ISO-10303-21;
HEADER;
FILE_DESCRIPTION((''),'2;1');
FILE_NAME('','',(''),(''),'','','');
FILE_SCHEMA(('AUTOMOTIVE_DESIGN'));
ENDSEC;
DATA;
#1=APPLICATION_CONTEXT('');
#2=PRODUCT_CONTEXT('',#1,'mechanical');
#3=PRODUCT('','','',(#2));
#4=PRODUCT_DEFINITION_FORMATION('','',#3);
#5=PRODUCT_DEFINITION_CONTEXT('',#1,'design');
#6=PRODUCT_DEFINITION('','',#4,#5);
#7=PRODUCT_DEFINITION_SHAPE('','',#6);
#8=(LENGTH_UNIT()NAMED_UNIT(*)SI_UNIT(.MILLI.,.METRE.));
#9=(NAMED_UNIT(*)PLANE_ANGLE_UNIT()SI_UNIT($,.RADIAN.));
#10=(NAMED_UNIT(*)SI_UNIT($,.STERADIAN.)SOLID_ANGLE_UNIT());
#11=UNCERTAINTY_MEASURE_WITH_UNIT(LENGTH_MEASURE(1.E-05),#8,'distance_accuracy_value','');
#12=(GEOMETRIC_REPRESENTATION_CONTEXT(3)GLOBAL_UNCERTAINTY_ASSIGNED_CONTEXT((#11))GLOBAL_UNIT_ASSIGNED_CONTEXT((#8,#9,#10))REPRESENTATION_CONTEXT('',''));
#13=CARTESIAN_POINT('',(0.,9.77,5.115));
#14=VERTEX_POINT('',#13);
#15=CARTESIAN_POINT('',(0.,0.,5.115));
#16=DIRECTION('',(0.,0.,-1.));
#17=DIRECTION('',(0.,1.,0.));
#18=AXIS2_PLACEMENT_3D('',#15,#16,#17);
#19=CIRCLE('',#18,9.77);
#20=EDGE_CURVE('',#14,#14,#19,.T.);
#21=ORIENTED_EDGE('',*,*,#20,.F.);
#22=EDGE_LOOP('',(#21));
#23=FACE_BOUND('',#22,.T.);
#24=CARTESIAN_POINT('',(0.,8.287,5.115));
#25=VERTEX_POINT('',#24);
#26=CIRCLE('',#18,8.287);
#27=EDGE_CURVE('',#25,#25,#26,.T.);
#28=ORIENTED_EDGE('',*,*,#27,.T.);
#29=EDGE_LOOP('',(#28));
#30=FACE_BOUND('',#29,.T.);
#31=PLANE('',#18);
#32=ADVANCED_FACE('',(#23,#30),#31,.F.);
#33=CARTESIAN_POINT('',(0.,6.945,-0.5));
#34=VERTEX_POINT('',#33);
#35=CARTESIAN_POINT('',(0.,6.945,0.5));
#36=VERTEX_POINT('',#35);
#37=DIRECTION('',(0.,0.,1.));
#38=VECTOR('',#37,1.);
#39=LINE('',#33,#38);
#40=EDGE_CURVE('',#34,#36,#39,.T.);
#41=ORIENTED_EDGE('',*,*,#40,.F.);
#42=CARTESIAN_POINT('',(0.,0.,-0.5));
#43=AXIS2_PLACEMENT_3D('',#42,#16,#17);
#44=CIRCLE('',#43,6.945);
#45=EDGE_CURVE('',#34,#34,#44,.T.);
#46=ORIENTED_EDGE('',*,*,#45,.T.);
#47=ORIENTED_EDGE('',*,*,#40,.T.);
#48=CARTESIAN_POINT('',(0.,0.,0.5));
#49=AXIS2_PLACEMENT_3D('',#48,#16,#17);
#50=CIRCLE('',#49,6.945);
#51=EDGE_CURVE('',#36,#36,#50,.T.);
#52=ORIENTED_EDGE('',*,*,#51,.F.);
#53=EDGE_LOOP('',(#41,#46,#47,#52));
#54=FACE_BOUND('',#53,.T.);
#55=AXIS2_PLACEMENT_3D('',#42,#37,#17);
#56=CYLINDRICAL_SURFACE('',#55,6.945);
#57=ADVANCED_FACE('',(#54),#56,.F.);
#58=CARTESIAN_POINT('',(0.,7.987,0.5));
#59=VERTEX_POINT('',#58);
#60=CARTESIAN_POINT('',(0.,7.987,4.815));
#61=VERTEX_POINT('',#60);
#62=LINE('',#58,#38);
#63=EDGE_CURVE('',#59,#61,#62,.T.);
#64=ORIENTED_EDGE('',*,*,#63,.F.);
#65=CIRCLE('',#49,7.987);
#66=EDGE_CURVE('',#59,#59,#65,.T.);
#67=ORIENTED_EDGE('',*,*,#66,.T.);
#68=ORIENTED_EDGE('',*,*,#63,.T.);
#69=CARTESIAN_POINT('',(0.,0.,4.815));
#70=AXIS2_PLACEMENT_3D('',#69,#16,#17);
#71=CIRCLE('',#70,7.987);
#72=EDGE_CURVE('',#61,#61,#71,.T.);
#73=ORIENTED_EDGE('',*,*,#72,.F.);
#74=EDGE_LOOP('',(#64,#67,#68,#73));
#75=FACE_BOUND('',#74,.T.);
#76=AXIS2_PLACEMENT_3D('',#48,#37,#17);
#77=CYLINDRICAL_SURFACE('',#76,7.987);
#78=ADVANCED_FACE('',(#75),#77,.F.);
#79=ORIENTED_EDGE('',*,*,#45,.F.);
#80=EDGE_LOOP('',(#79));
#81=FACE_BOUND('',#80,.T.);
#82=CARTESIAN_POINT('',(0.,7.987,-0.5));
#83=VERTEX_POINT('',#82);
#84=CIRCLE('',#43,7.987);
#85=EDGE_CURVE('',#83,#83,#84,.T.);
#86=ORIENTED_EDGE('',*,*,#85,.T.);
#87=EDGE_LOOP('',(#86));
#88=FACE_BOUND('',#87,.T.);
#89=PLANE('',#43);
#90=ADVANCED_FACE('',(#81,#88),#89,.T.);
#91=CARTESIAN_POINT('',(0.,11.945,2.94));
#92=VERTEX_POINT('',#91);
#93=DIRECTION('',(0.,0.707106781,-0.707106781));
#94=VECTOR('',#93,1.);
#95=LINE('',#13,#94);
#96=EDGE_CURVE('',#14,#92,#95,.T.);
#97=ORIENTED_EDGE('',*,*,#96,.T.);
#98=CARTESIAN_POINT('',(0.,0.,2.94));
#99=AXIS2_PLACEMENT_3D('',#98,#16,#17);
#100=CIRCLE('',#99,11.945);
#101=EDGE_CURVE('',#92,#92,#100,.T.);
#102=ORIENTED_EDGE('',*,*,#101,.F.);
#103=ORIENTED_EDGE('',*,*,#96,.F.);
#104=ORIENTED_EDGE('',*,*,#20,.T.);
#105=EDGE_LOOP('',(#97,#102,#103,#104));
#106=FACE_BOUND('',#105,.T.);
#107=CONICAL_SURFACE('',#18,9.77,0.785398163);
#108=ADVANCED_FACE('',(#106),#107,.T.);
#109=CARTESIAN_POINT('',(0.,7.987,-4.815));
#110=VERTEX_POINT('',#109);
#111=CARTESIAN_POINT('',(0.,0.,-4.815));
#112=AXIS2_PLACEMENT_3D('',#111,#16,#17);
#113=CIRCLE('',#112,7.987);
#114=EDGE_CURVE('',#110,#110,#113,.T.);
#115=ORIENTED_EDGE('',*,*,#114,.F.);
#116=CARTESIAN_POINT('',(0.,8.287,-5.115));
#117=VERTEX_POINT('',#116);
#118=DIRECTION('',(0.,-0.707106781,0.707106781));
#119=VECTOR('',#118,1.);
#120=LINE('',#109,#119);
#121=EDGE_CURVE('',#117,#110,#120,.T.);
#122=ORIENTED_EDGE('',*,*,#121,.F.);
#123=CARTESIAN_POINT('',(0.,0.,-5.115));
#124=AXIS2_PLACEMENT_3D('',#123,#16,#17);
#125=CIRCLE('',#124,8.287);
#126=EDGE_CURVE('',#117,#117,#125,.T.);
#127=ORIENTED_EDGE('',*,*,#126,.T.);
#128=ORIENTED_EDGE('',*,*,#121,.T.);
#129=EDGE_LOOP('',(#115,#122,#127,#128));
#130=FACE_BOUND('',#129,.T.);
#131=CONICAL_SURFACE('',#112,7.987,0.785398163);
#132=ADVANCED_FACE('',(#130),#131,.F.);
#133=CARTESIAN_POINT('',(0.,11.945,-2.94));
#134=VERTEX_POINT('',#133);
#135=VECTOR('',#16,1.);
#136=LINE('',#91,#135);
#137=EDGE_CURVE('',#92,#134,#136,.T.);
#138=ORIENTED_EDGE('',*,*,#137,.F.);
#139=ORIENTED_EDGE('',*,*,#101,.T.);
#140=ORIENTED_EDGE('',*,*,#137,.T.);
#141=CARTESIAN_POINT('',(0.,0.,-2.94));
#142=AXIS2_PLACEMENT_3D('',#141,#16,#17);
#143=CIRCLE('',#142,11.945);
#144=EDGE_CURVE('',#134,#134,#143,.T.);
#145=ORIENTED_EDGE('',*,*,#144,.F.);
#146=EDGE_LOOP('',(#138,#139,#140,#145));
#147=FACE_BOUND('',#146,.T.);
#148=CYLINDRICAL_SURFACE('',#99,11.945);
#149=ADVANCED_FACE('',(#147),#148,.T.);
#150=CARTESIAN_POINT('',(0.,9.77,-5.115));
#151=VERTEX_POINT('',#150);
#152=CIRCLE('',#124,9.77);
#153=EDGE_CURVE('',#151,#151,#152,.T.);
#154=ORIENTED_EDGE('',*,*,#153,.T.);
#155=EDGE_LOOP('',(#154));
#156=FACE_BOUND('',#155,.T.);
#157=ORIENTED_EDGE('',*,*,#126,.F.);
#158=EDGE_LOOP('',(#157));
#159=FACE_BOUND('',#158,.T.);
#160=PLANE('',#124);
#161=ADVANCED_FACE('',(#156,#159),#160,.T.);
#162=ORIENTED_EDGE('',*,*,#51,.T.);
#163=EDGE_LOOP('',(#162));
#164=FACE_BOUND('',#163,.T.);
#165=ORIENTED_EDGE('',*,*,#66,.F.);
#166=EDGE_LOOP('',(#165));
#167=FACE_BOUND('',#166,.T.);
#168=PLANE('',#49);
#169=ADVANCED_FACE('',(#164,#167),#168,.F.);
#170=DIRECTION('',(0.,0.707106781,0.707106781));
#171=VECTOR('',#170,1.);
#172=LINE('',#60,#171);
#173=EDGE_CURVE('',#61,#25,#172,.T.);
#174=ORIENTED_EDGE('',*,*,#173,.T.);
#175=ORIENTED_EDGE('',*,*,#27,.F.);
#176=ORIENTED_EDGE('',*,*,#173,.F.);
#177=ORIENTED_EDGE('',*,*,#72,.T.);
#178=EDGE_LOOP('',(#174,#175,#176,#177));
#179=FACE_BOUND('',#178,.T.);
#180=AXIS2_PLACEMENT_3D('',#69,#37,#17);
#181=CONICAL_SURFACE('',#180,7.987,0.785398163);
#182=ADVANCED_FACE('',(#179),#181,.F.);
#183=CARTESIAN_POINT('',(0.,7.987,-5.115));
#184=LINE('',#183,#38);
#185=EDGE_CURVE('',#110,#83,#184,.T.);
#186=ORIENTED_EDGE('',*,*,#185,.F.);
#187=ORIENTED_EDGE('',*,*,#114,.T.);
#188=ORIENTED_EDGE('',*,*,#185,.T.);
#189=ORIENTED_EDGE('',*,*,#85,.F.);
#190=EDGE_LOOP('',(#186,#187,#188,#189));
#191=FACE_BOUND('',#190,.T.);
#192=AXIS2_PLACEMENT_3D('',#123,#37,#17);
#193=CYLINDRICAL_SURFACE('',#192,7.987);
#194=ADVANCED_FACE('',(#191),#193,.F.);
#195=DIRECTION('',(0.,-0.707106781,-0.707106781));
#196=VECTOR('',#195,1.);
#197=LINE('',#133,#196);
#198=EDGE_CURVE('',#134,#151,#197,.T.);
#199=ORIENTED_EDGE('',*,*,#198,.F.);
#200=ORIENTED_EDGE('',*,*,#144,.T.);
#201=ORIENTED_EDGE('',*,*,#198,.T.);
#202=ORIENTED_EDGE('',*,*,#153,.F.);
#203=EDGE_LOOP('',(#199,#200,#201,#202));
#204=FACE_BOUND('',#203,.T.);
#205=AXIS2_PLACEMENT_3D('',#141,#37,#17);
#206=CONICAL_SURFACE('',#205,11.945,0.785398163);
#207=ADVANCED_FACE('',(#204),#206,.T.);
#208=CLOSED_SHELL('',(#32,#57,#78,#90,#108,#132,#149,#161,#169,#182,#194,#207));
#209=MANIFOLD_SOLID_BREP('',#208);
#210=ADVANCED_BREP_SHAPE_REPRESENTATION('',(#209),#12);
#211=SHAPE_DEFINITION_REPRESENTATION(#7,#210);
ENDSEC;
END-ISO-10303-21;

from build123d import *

# Parameters (mm, degrees)
CHAMFER1_SIZE = 0.3


with BuildPart() as part:
    # Sketch1 → Revolve1 (revolve)
    with BuildSketch(Plane(origin=(0, 0, 0), x_dir=(0, 0, -1), z_dir=(1, 0, 0))):
        Polygon((-2.94, 11.945), (2.94, 11.945), (5.115, 9.77), (5.115, 7.987), (0.5, 7.987), (0.5, 6.945), (-0.5, 6.945), (-0.5, 7.987), (-5.115, 7.987), (-5.115, 9.77), align=None)
    revolve(axis=Axis((0, 0, 5.115), (0, 0, -1)))

    # Chamfer1
    chamfer1_edges = [part.edges().sort_by_distance(p)[0] for p in [
        (0, -7.987, 5.115),
        (0, -7.987, -5.115),
    ]]
    chamfer(chamfer1_edges, length=CHAMFER1_SIZE)


solid = part.part
